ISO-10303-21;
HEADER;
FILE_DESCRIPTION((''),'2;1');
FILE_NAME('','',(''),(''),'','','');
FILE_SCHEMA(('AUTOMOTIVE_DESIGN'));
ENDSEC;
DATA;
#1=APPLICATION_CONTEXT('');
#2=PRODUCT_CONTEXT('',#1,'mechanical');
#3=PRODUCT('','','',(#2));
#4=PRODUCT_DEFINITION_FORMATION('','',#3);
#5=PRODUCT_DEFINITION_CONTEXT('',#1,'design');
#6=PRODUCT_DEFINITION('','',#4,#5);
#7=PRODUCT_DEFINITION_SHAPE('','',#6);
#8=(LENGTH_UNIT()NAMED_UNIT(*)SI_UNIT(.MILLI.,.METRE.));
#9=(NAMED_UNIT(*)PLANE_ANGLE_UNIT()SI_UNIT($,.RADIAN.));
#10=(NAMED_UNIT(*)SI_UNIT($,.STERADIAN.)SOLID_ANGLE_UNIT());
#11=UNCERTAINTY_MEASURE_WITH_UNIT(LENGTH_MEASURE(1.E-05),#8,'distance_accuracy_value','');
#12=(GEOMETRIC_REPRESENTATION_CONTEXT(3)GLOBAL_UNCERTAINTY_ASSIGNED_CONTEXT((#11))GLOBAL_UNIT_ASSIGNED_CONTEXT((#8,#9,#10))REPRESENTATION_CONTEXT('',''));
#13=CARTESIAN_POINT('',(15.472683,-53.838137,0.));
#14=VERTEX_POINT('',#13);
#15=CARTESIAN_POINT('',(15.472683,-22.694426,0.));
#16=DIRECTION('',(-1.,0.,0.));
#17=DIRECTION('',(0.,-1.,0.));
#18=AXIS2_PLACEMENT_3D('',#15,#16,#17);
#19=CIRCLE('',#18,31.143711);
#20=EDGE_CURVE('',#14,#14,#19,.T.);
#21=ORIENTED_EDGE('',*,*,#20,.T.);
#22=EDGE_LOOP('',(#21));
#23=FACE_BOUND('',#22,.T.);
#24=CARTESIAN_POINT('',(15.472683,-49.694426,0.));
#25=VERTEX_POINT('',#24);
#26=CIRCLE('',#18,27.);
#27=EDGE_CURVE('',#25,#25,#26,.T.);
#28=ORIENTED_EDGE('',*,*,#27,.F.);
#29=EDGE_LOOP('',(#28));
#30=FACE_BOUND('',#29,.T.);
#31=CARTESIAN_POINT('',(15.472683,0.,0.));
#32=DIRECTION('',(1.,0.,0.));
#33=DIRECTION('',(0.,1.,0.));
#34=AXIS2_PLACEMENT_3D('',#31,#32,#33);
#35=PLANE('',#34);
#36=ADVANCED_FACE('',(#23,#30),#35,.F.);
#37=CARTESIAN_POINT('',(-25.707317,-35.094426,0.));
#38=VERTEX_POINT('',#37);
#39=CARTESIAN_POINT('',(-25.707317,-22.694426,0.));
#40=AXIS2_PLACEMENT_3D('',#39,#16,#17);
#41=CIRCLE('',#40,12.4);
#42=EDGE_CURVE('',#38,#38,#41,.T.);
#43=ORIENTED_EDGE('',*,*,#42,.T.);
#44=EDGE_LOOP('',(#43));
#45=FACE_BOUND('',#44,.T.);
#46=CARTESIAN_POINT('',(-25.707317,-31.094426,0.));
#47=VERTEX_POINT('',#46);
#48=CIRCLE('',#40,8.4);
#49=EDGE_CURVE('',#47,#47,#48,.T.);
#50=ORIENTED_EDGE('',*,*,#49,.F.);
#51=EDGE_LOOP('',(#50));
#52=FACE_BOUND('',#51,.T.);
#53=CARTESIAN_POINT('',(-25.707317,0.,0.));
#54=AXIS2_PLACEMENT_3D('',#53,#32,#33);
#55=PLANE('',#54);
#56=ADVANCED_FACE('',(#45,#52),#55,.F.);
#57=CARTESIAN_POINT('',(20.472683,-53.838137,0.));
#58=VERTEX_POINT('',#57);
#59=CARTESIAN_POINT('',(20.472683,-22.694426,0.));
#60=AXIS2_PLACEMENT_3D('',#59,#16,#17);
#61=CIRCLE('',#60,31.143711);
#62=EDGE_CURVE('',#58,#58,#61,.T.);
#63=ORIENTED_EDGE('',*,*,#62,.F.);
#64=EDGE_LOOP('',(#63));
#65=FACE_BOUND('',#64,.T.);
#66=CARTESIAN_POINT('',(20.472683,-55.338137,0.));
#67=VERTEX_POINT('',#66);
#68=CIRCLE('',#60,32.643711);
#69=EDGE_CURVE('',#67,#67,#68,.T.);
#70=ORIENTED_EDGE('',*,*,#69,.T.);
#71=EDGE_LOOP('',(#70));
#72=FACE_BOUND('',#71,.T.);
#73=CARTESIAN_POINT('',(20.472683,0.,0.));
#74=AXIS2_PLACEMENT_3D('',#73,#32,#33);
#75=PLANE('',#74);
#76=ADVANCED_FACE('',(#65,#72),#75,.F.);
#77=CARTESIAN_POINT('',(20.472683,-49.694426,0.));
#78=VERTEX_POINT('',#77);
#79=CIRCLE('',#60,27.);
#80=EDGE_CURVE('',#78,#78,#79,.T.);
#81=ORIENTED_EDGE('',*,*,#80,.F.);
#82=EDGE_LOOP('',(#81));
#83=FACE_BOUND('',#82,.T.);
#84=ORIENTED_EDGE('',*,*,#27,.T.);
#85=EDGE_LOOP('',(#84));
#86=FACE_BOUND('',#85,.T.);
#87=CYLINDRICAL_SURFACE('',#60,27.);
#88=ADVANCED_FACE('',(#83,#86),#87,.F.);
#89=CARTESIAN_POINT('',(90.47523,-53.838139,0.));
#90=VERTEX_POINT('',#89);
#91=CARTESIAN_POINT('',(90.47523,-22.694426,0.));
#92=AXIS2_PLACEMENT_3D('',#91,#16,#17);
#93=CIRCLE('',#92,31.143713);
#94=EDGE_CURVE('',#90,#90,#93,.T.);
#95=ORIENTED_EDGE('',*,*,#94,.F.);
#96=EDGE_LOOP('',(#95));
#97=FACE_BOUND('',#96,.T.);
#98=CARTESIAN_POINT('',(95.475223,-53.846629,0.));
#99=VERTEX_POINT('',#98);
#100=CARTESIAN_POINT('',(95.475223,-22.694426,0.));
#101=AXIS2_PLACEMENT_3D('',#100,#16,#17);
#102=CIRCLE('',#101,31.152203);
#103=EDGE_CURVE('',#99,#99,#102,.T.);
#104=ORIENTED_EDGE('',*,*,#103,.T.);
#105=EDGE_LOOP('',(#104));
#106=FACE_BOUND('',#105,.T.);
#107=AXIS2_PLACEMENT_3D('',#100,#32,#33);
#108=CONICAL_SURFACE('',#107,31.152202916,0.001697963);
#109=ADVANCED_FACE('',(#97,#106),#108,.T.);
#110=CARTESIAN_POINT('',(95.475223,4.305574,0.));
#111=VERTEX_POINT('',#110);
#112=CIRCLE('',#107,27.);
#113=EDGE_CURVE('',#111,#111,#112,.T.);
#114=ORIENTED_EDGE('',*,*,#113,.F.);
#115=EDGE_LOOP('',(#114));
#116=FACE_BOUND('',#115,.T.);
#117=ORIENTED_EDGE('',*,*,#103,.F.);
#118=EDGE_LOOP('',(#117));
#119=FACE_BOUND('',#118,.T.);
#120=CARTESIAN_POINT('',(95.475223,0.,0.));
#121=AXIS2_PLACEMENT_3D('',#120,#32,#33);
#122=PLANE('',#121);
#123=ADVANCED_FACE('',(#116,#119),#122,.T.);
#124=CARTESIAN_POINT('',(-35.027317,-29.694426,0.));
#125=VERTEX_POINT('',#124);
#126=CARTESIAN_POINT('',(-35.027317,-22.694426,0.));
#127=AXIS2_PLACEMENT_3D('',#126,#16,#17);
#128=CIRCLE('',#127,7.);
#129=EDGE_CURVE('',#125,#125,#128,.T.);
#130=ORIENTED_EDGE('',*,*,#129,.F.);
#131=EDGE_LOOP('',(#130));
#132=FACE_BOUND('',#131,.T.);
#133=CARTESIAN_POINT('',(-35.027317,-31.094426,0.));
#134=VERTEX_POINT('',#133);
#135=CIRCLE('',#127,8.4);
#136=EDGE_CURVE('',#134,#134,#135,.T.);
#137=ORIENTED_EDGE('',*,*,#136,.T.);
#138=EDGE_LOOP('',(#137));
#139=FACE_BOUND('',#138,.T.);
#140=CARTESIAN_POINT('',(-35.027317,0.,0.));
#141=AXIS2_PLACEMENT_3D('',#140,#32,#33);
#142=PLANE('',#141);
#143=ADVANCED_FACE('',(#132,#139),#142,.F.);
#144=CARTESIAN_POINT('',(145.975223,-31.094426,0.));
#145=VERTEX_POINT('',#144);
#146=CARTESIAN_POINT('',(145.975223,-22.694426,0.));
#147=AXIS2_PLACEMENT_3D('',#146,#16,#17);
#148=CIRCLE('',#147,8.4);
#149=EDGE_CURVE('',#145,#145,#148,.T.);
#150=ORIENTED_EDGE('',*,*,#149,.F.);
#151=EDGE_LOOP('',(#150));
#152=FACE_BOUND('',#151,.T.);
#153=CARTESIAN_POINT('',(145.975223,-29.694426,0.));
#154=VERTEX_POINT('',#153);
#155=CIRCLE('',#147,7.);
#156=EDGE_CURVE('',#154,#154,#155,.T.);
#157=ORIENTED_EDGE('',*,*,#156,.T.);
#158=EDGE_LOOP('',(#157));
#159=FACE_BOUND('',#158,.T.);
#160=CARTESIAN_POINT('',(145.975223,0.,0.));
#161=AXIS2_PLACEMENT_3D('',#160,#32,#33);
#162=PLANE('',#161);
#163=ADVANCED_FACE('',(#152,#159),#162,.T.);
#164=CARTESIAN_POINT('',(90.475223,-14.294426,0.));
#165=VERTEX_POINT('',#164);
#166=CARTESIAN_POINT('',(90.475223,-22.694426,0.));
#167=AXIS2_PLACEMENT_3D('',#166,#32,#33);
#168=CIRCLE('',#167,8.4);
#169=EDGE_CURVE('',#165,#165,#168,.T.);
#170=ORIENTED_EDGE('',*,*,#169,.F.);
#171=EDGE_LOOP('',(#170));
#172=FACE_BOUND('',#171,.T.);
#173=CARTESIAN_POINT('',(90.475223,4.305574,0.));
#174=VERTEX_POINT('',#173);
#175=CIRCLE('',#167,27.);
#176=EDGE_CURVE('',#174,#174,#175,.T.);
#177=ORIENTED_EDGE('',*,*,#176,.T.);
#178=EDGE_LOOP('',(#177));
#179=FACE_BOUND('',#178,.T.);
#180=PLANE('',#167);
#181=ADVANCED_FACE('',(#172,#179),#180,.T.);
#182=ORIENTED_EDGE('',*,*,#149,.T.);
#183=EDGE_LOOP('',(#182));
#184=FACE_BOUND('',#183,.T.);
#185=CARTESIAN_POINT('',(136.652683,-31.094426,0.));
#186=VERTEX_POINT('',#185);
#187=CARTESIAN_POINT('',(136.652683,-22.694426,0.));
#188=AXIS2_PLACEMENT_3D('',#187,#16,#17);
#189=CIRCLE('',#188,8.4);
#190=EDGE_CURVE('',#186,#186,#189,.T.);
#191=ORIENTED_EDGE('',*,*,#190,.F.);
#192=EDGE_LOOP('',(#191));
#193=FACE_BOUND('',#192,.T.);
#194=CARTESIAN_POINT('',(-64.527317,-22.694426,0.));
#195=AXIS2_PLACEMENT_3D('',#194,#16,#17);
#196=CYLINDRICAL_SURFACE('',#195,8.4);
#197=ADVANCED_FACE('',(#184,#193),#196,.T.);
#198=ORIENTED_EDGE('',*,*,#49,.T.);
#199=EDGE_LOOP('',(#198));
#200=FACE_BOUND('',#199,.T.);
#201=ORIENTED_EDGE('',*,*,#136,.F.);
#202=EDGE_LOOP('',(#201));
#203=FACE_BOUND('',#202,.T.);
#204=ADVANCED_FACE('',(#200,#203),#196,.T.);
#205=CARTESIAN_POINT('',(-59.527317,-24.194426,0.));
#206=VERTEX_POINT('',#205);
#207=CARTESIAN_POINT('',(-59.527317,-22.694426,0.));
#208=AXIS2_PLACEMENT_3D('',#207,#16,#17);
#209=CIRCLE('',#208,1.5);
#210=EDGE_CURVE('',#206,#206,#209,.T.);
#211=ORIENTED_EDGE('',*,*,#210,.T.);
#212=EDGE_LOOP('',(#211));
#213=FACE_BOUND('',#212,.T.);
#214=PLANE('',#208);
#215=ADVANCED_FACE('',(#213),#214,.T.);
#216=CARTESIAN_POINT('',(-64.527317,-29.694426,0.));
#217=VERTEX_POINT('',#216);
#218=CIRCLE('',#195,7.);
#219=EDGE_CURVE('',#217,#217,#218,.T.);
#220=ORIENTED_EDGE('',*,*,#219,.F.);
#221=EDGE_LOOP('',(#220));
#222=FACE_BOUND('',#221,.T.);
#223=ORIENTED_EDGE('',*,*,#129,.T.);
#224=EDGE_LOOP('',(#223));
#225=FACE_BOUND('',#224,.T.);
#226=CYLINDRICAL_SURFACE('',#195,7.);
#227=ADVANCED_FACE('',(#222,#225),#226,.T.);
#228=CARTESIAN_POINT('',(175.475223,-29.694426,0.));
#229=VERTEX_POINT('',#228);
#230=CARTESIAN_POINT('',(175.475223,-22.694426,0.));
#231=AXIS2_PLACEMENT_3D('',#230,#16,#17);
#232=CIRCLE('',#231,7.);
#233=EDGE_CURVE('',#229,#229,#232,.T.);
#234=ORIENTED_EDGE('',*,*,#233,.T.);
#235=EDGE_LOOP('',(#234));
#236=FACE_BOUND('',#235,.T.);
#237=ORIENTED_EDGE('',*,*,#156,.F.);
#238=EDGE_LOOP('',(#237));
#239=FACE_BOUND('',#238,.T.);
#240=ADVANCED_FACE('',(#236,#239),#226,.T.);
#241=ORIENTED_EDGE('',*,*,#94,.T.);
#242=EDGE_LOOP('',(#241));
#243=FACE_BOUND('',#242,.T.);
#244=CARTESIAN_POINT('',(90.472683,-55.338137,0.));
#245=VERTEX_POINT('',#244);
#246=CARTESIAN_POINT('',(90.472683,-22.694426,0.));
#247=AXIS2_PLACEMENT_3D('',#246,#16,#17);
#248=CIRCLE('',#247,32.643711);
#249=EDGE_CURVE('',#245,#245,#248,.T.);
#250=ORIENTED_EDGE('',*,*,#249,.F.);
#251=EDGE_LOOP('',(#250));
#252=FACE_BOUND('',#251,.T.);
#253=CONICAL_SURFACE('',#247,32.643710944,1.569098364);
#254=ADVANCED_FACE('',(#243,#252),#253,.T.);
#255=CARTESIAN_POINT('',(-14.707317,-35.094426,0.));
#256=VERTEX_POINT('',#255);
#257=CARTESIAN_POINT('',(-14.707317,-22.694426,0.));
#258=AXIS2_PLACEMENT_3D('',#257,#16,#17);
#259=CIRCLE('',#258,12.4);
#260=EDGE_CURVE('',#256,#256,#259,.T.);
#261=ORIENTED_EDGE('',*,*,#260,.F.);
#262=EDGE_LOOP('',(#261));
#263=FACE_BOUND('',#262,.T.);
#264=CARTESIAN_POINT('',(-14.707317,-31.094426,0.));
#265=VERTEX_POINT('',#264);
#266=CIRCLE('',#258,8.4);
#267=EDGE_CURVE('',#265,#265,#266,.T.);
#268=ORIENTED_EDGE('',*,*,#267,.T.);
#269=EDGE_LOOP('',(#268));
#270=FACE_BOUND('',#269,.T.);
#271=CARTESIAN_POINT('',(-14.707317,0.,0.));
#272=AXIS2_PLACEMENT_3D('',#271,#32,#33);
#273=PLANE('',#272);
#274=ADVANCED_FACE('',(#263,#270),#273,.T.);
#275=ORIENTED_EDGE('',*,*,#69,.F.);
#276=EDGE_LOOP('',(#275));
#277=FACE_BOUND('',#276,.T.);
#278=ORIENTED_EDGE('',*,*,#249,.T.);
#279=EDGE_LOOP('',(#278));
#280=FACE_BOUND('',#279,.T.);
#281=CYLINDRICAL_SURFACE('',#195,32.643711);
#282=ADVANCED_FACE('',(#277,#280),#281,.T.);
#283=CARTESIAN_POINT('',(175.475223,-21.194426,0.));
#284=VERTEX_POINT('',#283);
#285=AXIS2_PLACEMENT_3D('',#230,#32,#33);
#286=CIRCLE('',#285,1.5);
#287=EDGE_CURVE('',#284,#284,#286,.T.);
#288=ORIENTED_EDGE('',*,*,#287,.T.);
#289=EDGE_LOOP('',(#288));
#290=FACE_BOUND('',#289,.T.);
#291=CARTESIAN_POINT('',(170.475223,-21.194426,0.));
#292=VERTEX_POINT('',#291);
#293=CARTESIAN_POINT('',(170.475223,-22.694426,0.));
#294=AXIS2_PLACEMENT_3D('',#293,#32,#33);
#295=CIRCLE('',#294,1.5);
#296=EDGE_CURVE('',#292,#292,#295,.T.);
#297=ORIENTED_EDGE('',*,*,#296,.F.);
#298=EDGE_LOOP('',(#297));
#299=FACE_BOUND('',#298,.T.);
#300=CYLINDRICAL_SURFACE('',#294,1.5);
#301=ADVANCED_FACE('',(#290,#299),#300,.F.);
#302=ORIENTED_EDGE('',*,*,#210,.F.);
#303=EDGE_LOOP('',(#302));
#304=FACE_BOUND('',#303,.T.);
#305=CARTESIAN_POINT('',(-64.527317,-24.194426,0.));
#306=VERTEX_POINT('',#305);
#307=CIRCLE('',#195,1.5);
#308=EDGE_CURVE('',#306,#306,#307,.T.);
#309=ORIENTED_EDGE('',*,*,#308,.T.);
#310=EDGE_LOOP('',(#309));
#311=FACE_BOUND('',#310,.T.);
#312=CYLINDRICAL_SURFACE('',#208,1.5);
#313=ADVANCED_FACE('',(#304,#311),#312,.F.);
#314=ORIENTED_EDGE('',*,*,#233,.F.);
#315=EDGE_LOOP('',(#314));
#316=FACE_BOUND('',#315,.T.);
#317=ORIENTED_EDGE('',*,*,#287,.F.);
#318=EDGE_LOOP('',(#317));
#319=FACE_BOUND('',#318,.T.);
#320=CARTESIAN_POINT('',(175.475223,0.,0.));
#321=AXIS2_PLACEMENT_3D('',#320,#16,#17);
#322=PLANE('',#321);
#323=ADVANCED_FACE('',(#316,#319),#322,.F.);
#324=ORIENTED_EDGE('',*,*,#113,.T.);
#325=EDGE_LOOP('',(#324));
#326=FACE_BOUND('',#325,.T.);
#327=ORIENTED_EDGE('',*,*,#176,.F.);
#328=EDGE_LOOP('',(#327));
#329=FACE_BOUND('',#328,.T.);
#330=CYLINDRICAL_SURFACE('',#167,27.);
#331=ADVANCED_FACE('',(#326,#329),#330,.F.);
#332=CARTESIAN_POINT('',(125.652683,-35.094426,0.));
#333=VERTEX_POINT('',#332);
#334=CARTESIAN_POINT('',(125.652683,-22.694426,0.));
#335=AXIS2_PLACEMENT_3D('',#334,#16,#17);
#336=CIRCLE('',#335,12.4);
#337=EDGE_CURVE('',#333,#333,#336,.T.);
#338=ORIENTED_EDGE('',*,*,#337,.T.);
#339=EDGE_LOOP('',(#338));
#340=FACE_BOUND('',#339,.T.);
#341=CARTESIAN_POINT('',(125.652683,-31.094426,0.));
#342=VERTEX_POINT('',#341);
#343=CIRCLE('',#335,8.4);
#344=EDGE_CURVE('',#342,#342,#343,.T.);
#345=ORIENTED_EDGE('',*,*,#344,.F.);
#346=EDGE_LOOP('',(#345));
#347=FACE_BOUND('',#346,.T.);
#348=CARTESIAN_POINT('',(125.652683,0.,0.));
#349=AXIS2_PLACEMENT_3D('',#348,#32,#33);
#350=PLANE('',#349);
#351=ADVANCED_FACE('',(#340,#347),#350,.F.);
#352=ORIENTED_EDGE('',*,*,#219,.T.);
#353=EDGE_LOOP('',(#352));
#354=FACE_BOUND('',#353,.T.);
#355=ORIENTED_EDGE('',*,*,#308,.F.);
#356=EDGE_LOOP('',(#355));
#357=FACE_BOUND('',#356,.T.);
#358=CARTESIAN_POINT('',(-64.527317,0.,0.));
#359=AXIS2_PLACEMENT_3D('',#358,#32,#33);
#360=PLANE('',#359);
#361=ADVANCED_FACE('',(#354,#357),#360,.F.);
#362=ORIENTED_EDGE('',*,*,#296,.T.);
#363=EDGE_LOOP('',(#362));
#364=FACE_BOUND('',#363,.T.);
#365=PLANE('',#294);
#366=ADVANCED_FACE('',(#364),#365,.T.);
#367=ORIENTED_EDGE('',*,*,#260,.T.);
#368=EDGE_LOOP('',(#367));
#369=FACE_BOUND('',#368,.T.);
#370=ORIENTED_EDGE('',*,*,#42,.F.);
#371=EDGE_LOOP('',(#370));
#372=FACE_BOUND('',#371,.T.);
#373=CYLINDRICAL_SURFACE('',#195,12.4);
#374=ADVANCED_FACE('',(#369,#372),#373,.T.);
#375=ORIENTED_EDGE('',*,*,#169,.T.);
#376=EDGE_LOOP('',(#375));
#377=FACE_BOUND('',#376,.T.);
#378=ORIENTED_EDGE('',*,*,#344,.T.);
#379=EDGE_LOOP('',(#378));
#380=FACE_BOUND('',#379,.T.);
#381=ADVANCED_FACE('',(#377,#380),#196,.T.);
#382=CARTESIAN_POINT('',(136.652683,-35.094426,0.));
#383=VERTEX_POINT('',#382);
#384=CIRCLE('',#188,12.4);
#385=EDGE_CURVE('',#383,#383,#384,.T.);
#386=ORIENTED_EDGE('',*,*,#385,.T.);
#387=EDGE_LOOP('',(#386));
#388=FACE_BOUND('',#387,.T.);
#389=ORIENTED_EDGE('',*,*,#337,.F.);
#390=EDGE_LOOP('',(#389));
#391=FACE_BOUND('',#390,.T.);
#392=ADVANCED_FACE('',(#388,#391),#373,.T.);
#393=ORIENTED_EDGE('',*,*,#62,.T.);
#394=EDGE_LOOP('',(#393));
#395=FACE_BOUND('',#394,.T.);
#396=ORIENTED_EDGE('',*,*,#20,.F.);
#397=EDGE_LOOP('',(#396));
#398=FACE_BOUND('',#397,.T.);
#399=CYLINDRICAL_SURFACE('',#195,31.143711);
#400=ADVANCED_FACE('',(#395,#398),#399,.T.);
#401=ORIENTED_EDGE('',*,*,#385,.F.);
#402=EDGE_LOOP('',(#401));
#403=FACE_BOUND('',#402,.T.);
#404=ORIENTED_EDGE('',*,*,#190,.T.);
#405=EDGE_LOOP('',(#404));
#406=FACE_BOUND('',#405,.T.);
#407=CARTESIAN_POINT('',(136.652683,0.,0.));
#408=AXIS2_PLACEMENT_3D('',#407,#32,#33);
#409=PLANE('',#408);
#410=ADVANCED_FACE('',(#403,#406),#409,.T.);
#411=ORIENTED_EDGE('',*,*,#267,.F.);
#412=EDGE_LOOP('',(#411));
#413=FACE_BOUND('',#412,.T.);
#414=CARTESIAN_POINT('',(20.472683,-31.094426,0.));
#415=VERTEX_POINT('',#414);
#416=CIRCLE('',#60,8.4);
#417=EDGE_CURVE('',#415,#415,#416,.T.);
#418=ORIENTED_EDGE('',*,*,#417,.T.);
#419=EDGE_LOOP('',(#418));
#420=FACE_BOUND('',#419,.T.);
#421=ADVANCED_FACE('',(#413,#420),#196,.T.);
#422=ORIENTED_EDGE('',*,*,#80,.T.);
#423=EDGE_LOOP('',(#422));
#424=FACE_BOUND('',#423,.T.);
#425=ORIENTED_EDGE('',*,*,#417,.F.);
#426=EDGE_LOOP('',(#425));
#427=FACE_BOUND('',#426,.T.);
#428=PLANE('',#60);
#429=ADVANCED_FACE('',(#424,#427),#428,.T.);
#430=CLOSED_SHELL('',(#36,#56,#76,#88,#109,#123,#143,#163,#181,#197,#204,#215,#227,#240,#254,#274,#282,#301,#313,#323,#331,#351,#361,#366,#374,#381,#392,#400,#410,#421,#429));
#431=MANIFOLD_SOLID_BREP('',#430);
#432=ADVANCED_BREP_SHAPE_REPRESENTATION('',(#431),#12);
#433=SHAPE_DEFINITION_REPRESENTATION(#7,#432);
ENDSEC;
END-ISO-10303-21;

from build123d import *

# Parameters (mm, degrees)
CUT_EXTRUDE1_START = -5
SKETCH2_R          = 27
SKETCH2_R_2        = 8.4
CUT_EXTRUDE1_DEPTH = 5
SKETCH3_R          = 27
SKETCH3_R_2        = 8.4
CUT_EXTRUDE2_DEPTH = 5
SKETCH4_R          = 1.5
CUT_EXTRUDE3_DEPTH = 5
CUT_EXTRUDE4_START = -5
SKETCH6_R          = 1.5
CUT_EXTRUDE4_DEPTH = 5


with BuildPart() as part:
    # Sketch1 → Revolve1 (revolve)
    with BuildSketch(Plane.XY, mode=Mode.PRIVATE) as revolve1_sk:
        Polygon((136.652683421, -10.294425689), (136.652683421, -14.294425689), (145.975223156, -14.294425689), (145.975223156, -15.694425689), (175.475223156, -15.694425689), (175.475223156, -22.694425689), (-64.527316579, -22.694425689), (-64.527316579, -15.694425689), (-35.027316579, -15.694425689), (-35.027316579, -14.294425689), (-25.707316579, -14.294425689), (-25.707316579, -10.294425689), (-14.707316579, -10.294425689), (-14.707316579, -14.294425689), (15.472683421, -14.294425689), (15.472683421, 8.449285256), (20.472683421, 8.449285256), (20.472683421, 9.949285256), (90.472683421, 9.949285256), (90.475230364, 8.449287418), (95.475223156, 8.457777227), (95.475223156, -14.294425689), (125.652683421, -14.294425689), (125.652683421, -10.294425689), align=None)
    revolve(revolve1_sk.sketch.rotate(Axis((-64.527316579, -22.694425689, 0), (1, 0, 0)), 180), axis=Axis((-64.527316579, -22.694425689, 0), (1, 0, 0)))

    # Sketch2 → Cut-Extrude1 (cut)
    with BuildSketch(Plane.ZY.offset(-15.472683421).offset(CUT_EXTRUDE1_START)):
        with Locations(Location((0, -22.694425689, 0), (0, 0, 270))):
            Circle(SKETCH2_R)
        with Locations(Location((0, -22.694425689, 0), (0, 0, 270))):
            Circle(SKETCH2_R_2, mode=Mode.SUBTRACT)
    extrude(amount=CUT_EXTRUDE1_DEPTH, mode=Mode.SUBTRACT)

    # Sketch3 → Cut-Extrude2 (cut)
    with BuildSketch(Plane(origin=(95.475223156, 0, 0), x_dir=(0, 0, -1), z_dir=(1, 0, 0))):
        with Locations(Location((0, -22.694425689, 0), (0, 0, 270))):
            Circle(SKETCH3_R)
        with Locations(Location((0, -22.694425689, 0), (0, 0, 270))):
            Circle(SKETCH3_R_2, mode=Mode.SUBTRACT)
    extrude(amount=-CUT_EXTRUDE2_DEPTH, mode=Mode.SUBTRACT)

    # Sketch4 → Cut-Extrude3 (cut)
    with BuildSketch(Plane.ZY.offset(64.527316579)):
        with Locations(Location((0, -22.694425689, 0), (0, 0, 270))):
            Circle(SKETCH4_R)
    extrude(amount=-CUT_EXTRUDE3_DEPTH, mode=Mode.SUBTRACT)

    # Sketch6 → Cut-Extrude4 (cut)
    with BuildSketch(Plane(origin=(175.475223156, 0, 0), x_dir=(0, 0, -1), z_dir=(1, 0, 0)).offset(CUT_EXTRUDE4_START)):
        with Locations(Location((0, -22.694425689, 0), (0, 0, 270))):
            Circle(SKETCH6_R)
    extrude(amount=CUT_EXTRUDE4_DEPTH, mode=Mode.SUBTRACT)


solid = part.part
